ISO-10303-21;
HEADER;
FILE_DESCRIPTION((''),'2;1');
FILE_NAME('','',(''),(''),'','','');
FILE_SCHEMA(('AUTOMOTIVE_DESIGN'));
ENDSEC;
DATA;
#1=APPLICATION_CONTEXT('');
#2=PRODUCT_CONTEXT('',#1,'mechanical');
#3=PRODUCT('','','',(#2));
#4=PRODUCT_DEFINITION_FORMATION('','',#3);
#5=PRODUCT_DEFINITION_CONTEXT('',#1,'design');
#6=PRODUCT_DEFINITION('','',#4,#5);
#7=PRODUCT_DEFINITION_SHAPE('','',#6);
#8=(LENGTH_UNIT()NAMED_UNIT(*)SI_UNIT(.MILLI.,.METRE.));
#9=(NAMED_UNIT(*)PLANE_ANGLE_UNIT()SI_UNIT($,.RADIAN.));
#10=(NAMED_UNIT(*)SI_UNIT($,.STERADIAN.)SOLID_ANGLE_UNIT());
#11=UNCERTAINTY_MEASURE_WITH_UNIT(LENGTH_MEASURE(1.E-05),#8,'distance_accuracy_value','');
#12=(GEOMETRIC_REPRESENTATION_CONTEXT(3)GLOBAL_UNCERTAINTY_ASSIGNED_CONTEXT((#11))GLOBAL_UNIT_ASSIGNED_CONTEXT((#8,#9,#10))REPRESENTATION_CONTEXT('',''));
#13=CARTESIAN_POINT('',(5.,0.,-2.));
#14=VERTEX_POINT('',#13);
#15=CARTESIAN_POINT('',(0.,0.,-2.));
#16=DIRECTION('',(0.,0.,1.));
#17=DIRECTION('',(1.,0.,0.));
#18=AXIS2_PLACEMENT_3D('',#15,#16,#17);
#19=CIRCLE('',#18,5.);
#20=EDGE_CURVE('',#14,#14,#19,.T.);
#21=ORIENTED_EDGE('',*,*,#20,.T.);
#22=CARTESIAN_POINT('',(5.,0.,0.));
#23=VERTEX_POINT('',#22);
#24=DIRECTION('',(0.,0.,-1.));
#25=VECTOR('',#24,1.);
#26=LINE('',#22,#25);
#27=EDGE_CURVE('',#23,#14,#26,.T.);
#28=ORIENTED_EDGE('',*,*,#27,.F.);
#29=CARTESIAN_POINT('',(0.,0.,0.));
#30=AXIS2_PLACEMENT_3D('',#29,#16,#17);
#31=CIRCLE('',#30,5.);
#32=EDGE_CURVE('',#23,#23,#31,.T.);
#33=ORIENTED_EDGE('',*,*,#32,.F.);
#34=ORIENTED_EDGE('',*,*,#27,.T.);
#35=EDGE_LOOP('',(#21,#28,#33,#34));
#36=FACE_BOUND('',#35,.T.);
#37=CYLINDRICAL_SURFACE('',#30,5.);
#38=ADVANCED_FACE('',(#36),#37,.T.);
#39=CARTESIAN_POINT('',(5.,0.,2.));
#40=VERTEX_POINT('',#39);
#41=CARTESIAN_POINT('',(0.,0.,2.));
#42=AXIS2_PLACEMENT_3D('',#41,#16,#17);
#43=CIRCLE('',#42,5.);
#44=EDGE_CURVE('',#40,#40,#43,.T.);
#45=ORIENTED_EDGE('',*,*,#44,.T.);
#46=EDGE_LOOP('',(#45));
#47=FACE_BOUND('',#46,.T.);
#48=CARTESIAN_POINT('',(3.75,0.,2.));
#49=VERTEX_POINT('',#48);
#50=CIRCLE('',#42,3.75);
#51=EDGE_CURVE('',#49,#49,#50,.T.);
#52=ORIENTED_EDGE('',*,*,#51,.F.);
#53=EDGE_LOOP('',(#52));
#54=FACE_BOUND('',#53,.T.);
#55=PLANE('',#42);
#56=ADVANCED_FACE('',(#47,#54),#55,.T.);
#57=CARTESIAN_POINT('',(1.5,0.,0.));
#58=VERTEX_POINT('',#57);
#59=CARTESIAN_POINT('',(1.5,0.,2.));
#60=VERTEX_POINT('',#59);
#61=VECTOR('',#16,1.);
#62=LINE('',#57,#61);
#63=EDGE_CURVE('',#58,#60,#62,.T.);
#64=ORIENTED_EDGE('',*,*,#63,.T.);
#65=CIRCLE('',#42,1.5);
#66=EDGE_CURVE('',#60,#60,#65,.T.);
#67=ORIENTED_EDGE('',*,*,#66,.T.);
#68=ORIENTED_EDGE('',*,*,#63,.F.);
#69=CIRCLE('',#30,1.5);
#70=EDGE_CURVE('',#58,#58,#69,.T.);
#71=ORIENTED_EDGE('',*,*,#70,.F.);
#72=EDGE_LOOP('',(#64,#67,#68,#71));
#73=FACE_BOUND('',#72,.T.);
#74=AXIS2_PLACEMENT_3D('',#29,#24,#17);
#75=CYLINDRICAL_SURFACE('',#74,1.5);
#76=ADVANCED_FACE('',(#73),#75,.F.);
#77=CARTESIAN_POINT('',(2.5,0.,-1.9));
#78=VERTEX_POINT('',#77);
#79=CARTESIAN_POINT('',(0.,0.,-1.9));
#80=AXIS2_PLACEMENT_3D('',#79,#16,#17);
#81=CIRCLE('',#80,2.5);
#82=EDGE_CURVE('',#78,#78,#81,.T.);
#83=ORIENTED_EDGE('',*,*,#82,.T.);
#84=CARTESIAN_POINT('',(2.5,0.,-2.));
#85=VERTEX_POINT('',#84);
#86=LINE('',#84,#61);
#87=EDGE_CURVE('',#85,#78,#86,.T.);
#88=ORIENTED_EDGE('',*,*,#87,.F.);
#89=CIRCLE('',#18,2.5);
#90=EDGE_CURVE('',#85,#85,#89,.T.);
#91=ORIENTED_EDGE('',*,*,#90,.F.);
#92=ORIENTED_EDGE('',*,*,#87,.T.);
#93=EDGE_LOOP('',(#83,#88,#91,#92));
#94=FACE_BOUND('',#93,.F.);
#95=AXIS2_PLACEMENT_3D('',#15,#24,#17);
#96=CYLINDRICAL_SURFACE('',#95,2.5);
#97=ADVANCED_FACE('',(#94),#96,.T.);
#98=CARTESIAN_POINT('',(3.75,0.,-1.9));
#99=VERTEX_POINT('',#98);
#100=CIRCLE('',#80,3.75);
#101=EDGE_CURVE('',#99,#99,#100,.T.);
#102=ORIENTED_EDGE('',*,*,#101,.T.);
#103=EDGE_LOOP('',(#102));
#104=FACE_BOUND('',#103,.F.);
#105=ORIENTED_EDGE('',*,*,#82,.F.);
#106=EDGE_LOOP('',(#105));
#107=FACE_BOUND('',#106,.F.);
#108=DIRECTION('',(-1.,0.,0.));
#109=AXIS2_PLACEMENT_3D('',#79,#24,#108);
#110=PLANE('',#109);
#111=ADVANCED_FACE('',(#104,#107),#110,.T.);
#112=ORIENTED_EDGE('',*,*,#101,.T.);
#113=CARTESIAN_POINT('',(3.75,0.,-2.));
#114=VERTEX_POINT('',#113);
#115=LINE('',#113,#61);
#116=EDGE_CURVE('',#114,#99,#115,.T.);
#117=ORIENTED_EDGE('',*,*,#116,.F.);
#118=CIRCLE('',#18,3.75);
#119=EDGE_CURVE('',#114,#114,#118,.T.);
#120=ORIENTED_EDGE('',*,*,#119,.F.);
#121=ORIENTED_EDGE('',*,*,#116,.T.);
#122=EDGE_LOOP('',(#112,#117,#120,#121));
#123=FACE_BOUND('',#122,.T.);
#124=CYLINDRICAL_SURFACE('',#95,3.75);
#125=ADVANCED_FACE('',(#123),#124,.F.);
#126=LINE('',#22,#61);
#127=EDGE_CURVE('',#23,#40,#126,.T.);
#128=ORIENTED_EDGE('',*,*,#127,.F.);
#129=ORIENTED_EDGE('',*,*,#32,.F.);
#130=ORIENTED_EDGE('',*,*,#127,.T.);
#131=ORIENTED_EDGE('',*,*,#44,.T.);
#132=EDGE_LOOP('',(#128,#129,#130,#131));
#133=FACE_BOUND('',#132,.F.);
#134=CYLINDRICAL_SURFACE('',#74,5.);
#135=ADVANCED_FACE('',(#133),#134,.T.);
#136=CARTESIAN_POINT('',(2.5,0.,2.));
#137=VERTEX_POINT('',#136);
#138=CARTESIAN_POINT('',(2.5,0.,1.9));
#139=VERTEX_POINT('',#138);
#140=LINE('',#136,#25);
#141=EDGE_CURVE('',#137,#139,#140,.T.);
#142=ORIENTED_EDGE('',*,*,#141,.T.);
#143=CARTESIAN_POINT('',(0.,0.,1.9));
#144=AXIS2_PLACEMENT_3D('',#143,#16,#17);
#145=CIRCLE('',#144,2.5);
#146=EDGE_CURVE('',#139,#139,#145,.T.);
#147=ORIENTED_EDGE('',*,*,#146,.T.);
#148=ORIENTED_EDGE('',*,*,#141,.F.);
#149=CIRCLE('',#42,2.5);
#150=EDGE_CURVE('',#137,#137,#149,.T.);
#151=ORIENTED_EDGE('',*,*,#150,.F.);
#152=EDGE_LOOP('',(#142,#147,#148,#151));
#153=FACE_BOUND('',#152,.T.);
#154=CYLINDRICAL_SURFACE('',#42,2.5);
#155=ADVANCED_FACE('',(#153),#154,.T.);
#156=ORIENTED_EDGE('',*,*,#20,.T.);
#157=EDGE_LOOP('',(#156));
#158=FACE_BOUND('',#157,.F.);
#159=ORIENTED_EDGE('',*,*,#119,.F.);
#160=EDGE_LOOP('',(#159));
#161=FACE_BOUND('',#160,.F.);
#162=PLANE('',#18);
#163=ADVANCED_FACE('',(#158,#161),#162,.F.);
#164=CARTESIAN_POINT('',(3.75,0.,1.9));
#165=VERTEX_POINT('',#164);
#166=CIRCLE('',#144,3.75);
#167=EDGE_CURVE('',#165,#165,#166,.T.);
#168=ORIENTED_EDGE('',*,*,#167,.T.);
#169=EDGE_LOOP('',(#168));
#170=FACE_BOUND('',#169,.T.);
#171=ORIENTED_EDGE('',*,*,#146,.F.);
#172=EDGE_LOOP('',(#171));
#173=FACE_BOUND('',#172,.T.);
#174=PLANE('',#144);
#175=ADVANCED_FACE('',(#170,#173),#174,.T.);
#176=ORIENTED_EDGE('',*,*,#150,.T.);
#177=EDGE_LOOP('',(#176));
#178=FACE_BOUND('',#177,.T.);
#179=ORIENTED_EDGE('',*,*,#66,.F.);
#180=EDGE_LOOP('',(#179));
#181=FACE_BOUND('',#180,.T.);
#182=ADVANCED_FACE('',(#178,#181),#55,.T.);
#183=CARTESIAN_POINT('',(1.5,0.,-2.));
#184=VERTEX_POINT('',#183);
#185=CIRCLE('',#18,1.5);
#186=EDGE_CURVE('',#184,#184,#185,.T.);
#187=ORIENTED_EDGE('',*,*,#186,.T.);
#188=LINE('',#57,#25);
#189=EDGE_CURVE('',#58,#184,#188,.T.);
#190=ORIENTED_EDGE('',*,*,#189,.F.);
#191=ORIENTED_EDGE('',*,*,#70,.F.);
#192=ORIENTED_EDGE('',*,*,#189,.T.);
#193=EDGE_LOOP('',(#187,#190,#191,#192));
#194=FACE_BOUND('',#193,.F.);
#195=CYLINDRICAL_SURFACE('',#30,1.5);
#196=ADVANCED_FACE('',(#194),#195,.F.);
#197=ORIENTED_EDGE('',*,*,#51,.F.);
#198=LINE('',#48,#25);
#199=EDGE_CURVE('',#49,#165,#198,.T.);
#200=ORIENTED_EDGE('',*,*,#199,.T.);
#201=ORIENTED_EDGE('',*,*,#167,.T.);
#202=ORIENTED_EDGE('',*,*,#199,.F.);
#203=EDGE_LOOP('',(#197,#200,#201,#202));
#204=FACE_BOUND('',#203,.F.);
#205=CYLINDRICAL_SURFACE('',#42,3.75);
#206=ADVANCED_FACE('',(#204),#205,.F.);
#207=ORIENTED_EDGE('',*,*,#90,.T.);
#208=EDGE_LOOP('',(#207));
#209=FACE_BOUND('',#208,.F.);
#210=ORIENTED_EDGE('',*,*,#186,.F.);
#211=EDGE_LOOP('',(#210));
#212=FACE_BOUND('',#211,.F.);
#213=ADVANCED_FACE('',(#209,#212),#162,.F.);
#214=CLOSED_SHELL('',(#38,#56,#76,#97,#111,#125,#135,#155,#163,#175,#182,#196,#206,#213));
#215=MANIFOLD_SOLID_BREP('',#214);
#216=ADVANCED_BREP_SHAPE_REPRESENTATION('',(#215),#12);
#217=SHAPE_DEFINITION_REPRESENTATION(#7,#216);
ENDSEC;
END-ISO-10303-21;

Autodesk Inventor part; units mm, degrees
ref_plane "YZ Plane" through (0, 0, 0) normal (1, 0, 0) x (0, 1, 0)
ref_plane "XZ Plane" through (0, 0, 0) normal (0, 1, 0) x (-1, 0, 0)
ref_plane "XY Plane" through (0, 0, 0) normal (0, 0, 1) x (1, 0, 0)
sketch "Sketch1" plane through (0, 0, 0) normal (0, 0, 1) x (1, 0, 0)
  circle A0 centre (0, 0) radius 1.5
  circle A1 centre (0, 0) radius 5
  dimension "d0" = 3
  dimension "d1" = 10
extrude "Extrusion1" add sketch "Sketch1" along normal mid plane 4
sketch "Sketch2" plane through (0, 0, 2) normal (0, 0, 1) x (1, 0, 0)
  circle A0 centre (0, 0) radius 1.5 projected
  circle A1 centre (0, 0) radius 5 projected
  circle A2 centre (0, 0) radius 3.75
  circle A3 centre (0, 0) radius 2.5
  dimension "d4" = 1.25
  dimension "d5" = 1
extrude "Extrusion2" cut sketch "Sketch2" against normal blind 0.1 contours A2
mirror "Mirror1" about plane through (0, 0, 0) normal (0, 0, 1) of "Extrusion2"
properties part number "idler bearing"
